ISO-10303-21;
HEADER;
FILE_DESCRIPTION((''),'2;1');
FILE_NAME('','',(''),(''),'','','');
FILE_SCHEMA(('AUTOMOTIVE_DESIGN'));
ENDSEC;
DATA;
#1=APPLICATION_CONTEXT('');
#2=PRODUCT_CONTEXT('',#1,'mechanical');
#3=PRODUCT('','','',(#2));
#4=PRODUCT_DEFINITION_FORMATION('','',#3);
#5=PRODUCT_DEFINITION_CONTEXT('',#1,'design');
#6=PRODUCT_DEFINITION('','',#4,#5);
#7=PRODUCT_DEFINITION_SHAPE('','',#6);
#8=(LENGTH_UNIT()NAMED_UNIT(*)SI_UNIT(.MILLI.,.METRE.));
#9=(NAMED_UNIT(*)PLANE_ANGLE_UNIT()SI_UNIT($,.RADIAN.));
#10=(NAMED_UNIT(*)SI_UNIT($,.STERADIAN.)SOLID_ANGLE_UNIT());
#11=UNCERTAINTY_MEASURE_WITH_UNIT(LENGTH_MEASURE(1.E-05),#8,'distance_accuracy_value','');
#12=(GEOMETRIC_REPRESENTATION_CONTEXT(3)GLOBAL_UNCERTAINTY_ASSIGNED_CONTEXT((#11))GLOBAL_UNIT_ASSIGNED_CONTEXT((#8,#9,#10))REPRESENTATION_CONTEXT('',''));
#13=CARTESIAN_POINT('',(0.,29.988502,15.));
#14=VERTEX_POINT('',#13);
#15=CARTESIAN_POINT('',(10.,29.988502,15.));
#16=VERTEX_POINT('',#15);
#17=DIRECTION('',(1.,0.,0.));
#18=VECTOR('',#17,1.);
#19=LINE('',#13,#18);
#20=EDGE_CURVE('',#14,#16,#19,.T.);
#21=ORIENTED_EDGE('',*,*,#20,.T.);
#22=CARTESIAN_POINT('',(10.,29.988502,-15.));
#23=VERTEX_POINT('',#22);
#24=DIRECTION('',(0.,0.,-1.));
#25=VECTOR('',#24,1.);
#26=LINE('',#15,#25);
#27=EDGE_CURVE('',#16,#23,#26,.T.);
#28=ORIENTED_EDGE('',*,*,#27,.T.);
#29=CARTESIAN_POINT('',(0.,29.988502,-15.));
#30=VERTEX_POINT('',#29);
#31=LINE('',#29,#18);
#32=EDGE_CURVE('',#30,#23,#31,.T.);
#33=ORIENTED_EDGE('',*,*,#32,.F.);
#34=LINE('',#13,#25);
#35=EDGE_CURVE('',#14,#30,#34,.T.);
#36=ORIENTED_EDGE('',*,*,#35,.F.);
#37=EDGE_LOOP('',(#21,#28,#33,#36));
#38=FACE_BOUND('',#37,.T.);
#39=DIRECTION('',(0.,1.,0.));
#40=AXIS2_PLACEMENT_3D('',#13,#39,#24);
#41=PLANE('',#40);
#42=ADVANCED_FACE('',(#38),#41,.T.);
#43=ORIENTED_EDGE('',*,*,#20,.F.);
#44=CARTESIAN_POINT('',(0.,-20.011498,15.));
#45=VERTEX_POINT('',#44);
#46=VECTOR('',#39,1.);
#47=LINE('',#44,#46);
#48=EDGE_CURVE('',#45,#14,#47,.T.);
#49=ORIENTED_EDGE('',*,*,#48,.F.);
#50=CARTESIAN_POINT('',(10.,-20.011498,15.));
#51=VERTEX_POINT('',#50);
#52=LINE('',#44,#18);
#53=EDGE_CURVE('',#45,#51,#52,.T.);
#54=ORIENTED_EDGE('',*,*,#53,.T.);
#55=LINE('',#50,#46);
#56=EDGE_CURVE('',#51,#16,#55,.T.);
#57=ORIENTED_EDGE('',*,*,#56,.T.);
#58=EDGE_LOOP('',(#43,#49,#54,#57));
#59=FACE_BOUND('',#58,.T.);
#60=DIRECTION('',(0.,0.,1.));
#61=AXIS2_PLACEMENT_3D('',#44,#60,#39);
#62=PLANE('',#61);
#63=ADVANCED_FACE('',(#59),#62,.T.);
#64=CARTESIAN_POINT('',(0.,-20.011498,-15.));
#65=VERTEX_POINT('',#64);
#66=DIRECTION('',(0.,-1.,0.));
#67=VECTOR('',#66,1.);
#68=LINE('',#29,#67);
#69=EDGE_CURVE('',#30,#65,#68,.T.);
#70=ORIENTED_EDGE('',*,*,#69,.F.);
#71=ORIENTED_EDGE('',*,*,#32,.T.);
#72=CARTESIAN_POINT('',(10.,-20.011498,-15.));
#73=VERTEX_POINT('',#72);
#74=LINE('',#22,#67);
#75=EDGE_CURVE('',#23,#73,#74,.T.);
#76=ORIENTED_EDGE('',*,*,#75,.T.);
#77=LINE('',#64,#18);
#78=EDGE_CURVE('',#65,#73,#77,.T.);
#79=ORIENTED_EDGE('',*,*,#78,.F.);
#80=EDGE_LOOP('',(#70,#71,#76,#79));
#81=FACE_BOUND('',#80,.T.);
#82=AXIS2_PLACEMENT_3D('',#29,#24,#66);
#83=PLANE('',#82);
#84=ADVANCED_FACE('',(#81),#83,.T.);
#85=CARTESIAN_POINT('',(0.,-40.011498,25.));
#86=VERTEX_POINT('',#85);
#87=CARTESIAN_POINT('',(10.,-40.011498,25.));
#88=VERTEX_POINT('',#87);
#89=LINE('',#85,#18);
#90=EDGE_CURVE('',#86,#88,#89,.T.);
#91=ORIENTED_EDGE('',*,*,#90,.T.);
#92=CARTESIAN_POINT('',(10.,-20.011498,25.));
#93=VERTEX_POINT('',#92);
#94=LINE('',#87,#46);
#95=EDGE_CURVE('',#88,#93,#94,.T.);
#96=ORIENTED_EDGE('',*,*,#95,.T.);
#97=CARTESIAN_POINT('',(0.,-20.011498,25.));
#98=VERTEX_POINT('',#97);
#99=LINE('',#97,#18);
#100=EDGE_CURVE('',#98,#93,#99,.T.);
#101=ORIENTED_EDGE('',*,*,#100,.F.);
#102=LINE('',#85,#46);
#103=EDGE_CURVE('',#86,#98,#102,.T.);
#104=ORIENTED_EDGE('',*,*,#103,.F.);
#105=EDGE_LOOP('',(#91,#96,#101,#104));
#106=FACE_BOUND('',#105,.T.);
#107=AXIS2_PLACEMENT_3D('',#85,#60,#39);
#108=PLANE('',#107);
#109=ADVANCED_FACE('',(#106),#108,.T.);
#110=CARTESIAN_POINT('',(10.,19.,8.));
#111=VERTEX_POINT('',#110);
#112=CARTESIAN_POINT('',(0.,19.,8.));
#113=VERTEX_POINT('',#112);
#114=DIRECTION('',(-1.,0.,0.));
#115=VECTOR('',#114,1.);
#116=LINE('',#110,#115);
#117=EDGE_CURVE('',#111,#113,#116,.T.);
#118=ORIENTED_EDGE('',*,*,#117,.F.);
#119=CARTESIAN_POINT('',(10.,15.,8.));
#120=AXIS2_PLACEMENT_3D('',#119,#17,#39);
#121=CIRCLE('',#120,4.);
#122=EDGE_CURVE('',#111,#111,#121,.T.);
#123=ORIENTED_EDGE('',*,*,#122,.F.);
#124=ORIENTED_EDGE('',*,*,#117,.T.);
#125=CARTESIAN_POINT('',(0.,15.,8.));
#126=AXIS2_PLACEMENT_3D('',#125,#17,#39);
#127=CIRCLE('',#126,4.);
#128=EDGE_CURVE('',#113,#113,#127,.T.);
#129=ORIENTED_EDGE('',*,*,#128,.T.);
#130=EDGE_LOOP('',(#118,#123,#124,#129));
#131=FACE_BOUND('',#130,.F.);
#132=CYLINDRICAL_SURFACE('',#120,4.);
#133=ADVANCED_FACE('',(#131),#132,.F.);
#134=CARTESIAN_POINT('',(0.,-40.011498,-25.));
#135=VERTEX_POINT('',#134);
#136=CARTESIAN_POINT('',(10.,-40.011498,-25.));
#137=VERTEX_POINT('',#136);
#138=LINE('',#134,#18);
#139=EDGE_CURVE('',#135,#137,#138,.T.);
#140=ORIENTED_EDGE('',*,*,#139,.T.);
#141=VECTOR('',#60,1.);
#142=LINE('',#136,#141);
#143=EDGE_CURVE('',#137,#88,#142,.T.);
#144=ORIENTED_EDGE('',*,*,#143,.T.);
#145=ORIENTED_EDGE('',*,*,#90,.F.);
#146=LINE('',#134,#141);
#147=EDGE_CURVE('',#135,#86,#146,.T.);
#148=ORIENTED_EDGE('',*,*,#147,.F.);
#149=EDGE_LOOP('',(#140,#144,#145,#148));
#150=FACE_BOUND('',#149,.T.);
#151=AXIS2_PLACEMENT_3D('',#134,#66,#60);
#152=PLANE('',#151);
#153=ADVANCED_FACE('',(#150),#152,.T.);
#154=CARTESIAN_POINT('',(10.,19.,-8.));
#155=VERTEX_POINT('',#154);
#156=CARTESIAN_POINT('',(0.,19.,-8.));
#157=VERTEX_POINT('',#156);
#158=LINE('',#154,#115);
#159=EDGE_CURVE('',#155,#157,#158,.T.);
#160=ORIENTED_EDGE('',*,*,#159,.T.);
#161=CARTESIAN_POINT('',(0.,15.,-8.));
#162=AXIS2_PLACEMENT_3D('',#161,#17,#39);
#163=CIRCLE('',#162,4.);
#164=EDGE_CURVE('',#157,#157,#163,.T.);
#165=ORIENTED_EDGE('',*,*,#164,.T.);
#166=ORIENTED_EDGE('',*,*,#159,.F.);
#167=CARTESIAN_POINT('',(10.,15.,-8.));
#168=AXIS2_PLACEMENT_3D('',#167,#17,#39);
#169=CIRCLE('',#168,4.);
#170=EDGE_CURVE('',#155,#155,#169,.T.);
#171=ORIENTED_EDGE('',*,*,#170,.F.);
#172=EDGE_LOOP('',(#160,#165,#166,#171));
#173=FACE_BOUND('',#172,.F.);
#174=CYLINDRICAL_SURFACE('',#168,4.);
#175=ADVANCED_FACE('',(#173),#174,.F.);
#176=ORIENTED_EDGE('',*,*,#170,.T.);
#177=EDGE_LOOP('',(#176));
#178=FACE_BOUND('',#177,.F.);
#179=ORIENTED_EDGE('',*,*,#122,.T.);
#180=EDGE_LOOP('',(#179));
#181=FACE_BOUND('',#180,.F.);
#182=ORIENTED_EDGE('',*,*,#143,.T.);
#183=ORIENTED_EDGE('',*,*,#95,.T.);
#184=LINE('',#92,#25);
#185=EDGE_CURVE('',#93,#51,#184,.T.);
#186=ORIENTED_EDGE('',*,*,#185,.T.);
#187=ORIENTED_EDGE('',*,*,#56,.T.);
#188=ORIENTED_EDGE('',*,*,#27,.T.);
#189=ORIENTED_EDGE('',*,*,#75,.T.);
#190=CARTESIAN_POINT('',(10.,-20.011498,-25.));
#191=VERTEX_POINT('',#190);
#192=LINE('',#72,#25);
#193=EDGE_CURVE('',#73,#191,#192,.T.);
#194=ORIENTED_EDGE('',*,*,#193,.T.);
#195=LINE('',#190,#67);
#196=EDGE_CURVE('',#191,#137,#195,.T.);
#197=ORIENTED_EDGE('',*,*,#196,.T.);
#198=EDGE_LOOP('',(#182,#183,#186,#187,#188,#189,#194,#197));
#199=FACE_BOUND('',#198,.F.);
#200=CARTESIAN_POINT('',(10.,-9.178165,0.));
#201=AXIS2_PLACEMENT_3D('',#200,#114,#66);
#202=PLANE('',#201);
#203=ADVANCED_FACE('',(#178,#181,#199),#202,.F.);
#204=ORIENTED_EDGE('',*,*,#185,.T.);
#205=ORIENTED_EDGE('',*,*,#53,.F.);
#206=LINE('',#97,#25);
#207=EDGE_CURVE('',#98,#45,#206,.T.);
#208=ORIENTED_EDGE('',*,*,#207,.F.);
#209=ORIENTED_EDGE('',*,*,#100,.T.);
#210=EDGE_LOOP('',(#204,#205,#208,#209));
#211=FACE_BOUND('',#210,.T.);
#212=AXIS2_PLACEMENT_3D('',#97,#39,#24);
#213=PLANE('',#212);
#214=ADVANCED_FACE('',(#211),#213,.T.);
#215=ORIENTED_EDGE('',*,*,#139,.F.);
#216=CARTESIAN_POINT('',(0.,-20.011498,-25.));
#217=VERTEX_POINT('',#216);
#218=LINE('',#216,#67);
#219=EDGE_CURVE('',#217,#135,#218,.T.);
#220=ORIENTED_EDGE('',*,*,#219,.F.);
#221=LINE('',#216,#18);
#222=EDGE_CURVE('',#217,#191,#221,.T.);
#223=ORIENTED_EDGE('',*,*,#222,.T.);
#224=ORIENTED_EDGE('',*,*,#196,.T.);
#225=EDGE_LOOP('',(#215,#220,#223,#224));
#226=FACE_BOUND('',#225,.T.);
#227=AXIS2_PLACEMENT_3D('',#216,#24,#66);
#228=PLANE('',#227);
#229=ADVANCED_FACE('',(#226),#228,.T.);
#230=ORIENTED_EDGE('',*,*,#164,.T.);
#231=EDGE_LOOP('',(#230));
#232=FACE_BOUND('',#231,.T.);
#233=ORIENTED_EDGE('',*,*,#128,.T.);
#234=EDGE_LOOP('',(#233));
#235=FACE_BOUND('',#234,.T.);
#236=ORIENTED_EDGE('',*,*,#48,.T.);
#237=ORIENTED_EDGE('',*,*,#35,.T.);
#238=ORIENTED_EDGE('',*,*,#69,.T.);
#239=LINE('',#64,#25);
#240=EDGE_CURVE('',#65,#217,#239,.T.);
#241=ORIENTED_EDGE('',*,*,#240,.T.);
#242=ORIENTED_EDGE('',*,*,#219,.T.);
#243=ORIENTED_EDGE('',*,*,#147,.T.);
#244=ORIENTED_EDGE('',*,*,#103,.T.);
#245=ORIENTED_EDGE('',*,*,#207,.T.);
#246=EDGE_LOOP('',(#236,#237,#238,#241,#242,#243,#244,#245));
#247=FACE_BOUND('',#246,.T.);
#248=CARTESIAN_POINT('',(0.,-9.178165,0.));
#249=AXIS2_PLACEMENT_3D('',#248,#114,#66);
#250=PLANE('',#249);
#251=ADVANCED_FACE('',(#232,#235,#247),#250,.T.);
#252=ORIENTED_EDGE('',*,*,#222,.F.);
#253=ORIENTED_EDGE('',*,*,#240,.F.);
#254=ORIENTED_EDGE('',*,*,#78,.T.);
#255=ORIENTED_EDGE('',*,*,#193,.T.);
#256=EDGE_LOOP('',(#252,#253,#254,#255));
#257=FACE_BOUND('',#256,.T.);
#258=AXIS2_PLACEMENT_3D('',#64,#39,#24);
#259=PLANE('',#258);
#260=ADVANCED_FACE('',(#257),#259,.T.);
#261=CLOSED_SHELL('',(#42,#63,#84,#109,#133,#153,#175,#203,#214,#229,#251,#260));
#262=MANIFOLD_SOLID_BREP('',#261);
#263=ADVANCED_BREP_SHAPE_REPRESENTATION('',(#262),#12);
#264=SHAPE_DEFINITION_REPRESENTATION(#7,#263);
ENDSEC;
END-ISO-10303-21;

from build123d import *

# Parameters (mm, degrees)
PAD_DEPTH    = 10
SKETCH001_R  = 4
POCKET_DEPTH = 10


with BuildPart() as part:
    # Sketch → Pad (new body)
    with BuildSketch(Plane.YZ):
        Polygon((-40.011498, 25), (-20.011498, 25), (-20.011498, 15), (29.988502, 15), (29.988502, -15), (-20.011498, -15), (-20.011498, -25), (-40.011498, -25), align=None)
    extrude(amount=PAD_DEPTH)

    # Sketch001 → Pocket (cut)
    with BuildSketch(Plane.YZ.offset(10)):
        with Locations((15, 8)):
            Circle(SKETCH001_R)
        with Locations((15, -8)):
            Circle(SKETCH001_R)
    extrude(amount=-POCKET_DEPTH, mode=Mode.SUBTRACT)


solid = part.part
